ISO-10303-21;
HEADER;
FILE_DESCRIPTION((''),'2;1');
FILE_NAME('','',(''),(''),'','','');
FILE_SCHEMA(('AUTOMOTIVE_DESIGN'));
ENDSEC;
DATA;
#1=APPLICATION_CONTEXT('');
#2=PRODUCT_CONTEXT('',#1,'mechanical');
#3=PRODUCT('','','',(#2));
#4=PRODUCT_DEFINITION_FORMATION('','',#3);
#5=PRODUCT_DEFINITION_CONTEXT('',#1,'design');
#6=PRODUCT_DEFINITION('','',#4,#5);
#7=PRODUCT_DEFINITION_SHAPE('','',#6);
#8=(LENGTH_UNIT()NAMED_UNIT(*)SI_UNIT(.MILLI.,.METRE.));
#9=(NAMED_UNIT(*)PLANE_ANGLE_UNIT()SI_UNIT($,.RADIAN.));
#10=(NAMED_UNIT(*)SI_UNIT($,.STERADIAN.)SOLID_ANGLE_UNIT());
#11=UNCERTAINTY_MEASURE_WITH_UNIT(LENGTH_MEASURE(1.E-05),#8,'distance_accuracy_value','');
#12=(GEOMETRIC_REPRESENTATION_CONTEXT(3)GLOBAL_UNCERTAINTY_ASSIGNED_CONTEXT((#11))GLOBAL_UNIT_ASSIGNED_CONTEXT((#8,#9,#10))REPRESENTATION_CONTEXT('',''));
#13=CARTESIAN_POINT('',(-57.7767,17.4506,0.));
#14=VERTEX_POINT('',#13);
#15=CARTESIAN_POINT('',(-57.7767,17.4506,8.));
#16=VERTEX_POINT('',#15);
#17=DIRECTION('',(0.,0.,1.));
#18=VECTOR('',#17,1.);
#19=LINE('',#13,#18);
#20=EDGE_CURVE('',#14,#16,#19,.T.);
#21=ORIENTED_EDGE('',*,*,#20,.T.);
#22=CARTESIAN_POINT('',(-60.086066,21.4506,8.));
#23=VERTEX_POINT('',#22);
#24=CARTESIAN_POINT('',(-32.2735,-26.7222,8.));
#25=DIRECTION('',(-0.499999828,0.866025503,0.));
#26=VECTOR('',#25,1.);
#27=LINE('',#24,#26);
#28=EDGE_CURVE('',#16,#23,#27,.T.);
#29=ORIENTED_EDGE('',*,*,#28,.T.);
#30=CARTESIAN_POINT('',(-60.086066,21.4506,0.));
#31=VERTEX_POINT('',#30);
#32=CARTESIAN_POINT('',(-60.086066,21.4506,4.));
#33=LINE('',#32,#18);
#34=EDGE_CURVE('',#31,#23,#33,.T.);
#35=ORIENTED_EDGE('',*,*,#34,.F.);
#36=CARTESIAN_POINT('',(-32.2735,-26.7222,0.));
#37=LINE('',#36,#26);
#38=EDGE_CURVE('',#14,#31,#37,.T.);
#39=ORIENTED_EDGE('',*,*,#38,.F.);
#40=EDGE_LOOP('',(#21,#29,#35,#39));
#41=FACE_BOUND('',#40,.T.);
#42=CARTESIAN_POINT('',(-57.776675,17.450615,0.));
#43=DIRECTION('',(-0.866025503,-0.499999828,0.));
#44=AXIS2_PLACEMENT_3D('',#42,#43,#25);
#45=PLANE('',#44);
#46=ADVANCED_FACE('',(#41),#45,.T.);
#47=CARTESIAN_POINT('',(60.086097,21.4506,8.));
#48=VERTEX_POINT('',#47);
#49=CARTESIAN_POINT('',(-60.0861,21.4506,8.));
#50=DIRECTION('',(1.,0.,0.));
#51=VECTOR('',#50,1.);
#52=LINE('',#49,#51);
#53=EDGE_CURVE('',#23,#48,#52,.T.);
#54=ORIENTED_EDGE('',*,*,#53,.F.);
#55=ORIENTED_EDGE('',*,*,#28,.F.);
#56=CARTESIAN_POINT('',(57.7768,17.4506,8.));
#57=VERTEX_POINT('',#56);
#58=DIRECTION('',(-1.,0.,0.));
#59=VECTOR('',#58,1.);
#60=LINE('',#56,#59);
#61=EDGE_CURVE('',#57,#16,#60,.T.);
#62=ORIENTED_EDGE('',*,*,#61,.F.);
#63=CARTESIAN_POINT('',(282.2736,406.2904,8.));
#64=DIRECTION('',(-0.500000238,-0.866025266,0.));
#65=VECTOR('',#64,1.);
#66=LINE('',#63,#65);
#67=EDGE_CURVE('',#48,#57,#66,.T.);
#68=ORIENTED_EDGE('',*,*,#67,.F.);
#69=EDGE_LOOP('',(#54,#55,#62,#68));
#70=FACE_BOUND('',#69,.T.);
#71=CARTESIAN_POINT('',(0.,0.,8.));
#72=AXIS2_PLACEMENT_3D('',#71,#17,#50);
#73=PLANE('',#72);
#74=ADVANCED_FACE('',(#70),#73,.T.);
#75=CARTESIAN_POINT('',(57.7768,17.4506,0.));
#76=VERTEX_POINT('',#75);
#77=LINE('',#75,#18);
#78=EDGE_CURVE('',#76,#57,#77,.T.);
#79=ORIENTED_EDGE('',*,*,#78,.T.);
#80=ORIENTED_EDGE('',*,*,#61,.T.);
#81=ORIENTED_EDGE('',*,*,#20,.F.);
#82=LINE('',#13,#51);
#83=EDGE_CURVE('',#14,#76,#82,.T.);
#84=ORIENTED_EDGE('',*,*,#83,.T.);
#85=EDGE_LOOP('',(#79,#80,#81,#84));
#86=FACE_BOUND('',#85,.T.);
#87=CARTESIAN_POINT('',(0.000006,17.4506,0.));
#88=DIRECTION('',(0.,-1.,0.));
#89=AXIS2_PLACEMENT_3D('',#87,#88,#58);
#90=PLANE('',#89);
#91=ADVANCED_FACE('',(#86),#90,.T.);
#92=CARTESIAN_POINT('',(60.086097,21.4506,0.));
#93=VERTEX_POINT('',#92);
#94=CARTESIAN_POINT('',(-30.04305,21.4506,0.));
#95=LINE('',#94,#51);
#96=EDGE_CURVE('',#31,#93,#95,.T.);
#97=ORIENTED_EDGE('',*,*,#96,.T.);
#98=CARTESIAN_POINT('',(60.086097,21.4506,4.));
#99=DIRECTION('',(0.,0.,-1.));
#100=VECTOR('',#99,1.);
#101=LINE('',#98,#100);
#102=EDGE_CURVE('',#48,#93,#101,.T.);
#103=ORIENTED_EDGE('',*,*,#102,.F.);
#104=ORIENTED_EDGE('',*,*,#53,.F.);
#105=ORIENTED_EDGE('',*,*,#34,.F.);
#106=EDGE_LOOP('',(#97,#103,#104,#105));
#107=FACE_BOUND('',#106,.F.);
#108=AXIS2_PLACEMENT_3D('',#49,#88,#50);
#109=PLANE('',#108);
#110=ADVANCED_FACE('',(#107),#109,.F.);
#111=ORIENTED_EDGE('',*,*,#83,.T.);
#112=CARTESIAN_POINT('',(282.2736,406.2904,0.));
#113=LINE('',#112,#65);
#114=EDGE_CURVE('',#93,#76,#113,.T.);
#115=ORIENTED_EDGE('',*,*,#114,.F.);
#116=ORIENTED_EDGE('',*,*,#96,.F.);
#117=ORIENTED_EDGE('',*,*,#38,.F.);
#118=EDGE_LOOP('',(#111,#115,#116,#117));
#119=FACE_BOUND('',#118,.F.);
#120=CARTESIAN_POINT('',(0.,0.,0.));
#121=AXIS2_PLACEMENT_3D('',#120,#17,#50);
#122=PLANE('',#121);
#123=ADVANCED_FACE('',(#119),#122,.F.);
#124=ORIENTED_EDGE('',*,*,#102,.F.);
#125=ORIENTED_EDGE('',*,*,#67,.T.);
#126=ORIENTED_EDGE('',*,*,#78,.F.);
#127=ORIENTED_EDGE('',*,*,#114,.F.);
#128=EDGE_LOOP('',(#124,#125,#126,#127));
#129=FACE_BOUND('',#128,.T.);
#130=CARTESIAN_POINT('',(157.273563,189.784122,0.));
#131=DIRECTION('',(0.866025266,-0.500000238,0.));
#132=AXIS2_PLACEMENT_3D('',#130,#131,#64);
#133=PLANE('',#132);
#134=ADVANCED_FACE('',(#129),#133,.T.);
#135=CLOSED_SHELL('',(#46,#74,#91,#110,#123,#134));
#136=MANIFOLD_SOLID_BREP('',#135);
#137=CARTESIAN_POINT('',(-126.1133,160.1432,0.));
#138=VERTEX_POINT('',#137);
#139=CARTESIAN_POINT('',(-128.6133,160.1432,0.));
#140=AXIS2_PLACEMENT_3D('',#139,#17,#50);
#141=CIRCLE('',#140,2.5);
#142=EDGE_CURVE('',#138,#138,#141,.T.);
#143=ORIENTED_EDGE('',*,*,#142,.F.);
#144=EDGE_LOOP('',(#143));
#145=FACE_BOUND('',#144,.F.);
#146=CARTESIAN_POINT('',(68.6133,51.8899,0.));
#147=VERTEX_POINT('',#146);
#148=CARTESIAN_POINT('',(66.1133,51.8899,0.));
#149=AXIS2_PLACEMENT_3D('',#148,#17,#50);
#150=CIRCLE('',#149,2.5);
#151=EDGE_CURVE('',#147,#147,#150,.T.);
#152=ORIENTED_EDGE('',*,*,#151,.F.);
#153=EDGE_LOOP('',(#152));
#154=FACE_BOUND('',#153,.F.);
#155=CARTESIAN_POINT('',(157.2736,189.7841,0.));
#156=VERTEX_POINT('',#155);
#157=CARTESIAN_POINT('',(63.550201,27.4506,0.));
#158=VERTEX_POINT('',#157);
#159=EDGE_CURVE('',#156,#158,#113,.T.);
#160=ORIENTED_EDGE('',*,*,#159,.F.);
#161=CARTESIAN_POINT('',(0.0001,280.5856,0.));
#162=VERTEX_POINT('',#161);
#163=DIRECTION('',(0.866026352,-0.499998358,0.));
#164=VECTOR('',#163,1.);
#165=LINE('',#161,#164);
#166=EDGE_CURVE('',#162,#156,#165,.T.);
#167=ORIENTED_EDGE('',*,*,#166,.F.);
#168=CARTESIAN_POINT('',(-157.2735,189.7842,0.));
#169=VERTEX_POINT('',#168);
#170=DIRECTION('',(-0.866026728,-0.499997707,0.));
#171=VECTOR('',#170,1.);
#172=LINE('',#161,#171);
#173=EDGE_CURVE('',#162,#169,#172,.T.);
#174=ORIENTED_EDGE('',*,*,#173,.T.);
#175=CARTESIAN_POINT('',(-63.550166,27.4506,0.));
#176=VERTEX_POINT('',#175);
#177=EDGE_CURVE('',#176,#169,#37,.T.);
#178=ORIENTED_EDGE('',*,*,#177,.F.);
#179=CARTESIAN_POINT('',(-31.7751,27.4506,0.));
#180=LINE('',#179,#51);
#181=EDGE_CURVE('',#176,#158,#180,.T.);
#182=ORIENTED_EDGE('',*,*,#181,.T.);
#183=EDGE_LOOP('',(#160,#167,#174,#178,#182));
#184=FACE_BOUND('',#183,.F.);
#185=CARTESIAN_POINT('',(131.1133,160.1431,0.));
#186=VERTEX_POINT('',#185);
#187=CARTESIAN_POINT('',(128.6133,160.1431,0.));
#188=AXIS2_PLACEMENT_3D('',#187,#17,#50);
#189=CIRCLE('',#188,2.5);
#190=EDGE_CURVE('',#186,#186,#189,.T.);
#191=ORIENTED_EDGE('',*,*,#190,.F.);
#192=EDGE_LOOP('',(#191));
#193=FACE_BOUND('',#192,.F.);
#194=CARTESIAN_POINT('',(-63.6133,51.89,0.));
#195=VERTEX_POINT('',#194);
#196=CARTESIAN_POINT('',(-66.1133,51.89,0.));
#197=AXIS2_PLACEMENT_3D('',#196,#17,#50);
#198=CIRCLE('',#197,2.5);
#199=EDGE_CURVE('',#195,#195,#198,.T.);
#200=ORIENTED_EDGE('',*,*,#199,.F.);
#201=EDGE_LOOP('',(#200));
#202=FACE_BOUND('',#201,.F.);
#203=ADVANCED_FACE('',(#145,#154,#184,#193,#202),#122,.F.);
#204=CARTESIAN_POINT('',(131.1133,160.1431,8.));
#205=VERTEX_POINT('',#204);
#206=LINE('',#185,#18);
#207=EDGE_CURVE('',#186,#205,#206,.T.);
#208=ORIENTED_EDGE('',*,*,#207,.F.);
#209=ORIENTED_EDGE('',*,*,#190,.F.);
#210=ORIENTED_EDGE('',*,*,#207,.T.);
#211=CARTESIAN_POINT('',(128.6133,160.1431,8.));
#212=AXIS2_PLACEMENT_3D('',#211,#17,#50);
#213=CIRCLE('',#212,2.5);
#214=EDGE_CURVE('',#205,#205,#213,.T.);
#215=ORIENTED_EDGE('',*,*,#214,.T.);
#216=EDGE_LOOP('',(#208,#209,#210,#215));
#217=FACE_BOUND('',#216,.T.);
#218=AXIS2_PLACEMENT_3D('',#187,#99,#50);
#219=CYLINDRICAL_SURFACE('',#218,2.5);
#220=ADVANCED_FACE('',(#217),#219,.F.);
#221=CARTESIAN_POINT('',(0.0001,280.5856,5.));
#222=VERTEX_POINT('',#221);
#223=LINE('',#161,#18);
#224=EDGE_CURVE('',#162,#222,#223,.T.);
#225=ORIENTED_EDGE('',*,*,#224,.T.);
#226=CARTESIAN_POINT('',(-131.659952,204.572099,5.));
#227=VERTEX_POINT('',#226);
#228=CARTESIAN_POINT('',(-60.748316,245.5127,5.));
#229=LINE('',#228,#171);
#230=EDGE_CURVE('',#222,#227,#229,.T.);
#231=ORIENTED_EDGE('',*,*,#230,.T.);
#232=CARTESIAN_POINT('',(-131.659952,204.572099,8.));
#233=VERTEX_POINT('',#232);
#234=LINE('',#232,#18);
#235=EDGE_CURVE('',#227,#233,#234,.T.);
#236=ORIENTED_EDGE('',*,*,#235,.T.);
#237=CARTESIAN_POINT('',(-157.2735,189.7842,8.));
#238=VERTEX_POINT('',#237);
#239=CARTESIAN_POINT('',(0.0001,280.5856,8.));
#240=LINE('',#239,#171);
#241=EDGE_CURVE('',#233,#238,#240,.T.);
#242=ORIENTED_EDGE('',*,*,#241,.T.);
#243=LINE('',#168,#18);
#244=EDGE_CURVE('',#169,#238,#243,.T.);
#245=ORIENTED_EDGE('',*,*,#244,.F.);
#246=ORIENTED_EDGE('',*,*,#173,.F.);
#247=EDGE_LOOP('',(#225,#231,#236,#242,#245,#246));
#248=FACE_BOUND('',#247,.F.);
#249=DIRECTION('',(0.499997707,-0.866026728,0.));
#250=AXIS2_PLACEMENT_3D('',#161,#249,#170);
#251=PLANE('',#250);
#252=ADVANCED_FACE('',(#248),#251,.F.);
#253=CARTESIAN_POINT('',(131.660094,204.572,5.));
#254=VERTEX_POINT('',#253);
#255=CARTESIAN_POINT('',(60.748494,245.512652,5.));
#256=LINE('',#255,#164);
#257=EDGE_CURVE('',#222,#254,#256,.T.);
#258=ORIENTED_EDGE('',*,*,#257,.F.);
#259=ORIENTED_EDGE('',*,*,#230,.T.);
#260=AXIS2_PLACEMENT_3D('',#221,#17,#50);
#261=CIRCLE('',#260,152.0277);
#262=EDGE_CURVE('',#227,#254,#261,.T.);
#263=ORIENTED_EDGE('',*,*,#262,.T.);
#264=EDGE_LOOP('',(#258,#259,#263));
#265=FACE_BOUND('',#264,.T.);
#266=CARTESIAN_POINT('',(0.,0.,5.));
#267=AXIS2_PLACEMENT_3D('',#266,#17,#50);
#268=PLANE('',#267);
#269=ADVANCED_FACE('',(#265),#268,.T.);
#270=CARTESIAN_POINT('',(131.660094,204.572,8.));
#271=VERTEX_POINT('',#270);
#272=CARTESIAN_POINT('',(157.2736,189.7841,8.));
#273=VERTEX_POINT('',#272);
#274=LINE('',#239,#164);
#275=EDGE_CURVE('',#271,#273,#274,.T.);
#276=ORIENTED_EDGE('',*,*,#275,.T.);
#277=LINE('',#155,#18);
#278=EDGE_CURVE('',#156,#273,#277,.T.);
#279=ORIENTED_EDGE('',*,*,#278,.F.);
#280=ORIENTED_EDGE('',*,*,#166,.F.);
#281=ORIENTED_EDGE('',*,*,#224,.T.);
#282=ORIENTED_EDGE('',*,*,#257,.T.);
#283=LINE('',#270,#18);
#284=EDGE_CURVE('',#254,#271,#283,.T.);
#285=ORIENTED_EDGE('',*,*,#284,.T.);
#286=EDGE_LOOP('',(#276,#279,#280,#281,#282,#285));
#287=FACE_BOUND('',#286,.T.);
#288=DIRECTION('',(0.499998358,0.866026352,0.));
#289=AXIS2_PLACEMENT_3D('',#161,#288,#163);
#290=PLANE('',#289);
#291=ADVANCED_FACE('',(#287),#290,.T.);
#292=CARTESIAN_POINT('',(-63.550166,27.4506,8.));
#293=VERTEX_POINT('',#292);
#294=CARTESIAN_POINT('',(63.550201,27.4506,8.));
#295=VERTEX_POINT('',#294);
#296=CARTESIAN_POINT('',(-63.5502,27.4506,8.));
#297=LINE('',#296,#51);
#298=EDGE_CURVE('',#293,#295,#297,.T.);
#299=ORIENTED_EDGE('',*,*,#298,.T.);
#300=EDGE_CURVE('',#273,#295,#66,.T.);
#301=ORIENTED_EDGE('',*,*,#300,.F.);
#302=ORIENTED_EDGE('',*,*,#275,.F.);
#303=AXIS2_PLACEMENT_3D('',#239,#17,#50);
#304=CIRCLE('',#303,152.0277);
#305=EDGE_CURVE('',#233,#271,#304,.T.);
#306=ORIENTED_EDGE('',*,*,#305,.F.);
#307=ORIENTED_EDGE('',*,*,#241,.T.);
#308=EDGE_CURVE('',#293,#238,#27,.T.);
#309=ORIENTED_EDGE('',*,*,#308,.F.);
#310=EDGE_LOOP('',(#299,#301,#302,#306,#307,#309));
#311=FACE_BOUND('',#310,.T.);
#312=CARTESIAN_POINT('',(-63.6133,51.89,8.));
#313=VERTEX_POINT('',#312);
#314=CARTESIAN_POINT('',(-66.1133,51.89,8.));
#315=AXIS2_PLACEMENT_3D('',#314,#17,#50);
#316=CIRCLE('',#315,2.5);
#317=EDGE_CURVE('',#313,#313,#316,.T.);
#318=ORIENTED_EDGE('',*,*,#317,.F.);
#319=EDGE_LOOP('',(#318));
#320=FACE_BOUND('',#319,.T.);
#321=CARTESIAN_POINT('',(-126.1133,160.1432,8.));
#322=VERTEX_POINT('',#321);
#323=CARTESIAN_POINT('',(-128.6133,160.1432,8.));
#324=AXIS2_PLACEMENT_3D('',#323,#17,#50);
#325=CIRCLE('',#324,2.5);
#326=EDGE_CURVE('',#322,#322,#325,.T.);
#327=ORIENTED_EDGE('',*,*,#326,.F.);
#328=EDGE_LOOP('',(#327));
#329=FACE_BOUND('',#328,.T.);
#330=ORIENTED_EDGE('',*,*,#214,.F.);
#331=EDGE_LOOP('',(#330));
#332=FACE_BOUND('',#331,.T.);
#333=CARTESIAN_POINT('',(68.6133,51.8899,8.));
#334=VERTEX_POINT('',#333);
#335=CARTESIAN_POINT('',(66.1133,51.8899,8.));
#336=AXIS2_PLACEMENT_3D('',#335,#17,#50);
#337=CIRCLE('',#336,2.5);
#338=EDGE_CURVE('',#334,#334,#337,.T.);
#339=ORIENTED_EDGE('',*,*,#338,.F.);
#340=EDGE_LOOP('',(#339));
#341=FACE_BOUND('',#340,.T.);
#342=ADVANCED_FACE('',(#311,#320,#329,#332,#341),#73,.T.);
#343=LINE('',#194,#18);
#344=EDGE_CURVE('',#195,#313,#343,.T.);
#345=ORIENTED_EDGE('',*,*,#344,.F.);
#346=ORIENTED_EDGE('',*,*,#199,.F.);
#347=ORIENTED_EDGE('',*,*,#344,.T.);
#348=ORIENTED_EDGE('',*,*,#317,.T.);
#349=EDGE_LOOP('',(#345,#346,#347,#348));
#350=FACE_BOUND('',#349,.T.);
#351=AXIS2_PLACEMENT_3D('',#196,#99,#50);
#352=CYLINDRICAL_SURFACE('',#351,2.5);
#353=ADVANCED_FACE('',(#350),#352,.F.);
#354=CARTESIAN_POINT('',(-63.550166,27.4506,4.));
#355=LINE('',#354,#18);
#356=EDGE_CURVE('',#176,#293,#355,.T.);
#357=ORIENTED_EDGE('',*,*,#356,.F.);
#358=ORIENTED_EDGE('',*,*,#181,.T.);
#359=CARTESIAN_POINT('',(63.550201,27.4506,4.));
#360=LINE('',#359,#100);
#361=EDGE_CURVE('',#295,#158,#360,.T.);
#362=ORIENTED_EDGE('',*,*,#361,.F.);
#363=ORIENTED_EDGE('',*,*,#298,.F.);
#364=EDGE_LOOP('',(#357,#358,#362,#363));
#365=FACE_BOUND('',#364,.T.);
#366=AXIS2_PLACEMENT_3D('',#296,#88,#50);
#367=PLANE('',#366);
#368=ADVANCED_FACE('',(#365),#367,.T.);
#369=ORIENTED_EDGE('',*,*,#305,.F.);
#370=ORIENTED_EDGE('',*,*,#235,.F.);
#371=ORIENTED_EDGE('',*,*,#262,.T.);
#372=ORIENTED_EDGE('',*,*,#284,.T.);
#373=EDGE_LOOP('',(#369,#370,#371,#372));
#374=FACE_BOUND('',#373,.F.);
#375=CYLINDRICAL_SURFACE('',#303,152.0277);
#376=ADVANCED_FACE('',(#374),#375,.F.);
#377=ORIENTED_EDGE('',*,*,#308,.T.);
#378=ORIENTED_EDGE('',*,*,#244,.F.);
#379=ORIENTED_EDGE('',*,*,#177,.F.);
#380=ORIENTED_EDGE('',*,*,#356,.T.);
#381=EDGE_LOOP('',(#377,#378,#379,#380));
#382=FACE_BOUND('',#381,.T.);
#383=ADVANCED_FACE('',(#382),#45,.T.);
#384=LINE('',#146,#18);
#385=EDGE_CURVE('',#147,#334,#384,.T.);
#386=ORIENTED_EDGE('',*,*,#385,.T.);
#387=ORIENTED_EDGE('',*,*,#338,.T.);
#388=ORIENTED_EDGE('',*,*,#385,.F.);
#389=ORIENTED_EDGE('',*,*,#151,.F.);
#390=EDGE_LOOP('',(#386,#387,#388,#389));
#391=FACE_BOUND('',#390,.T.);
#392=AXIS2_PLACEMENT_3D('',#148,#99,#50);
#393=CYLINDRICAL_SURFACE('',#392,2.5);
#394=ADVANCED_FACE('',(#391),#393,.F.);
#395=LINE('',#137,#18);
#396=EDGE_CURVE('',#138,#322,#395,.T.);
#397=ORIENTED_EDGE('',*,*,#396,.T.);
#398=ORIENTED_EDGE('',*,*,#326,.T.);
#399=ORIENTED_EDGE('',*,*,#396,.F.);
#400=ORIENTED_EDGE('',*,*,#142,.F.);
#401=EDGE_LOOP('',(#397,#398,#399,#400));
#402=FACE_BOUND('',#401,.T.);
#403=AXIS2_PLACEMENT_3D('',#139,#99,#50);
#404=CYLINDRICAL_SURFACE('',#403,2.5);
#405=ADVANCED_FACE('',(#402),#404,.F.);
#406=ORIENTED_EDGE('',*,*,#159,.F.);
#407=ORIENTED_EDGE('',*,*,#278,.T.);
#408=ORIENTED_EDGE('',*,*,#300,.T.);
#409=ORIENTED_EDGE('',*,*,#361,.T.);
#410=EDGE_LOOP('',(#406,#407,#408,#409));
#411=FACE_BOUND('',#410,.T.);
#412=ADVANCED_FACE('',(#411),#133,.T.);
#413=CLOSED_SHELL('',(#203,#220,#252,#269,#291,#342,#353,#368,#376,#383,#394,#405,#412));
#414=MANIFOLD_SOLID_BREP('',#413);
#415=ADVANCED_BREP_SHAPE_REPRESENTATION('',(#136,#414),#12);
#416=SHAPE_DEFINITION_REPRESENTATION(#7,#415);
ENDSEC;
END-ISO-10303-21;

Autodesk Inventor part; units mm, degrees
ref_plane "YZ Plane" through (0, 0, 0) normal (1, 0, 0) x (0, 1, 0)
ref_plane "XZ Plane" through (0, 0, 0) normal (0, 1, 0) x (-1, 0, 0)
ref_plane "XY Plane" through (0, 0, 0) normal (0, 0, 1) x (1, 0, 0)
sketch "Sketch1" plane through (0, 0, 0) normal (0, 0, 1) x (1, 0, 0)
  arc A0 (-16.5011, 13.8506) -> (-21.6973, 4.8506) centre (-16.5011, 7.8506) ccw projected
  line L0 (-16.5011, 13.8506) -> (16.5011, 13.8506) projected
  arc A1 (21.6973, 4.8506) -> (16.5011, 13.8506) centre (16.5011, 7.8506) ccw projected
  line L1 (21.6973, 4.8506) -> (13.3257, -9.6494) projected
  arc A2 (5.5315, -14.1494) -> (13.3257, -9.6494) centre (5.5315, -5.1494) ccw projected
  line L2 (5.5315, -14.1494) -> (-5.5315, -14.1494) projected
  arc A3 (-13.3257, -9.6494) -> (-5.5315, -14.1494) centre (-5.5315, -5.1494) ccw projected
  line L3 (-13.3257, -9.6494) -> (-21.6973, 4.8506) projected
  line L4 (10, -20.5494) -> (10, -40.5494) projected
  line L5 (10, -40.5494) -> (-10, -40.5494) projected
  line L6 (-10, -40.5494) -> (-10, -20.5494) projected
  line L7 (-10, -20.5494) -> (10, -20.5494) projected
  line L8 (-15, -16.7494) -> (-32.2735, -26.7222) projected
  arc A4 (-32.2735, -26.7222) -> (32.2735, -26.7222) centre (0, -5.7301) ccw projected
  line L9 (32.2735, -26.7222) -> (15, -16.7494) projected
  line L10 (23.4871, 17.4506) -> (-23.4871, 17.4506)
  arc A5 (-222.749, 428.2443) -> (-227.9452, 437.2443) centre (-227.9452, 431.2443) ccw projected
  line L11 (-222.749, 428.2443) -> (-239.2501, 399.6635) projected
  arc A6 (-249.6424, 399.6635) -> (-239.2501, 399.6635) centre (-244.4463, 402.6635) ccw projected
  line L12 (-249.6424, 399.6635) -> (-258.014, 414.1635) projected
  arc A7 (-258.014, 423.1635) -> (-258.014, 414.1635) centre (-250.2198, 418.6635) ccw projected
  line L13 (-258.014, 423.1635) -> (-252.4825, 432.7443) projected
  arc A8 (-244.6883, 437.2443) -> (-252.4825, 432.7443) centre (-244.6883, 428.2443) ccw projected
  line L14 (-244.6883, 437.2443) -> (-227.9452, 437.2443) projected
  line L15 (-265.7908, 422.4937) -> (-283.1113, 432.4937) projected
  line L16 (-283.1113, 432.4937) -> (-273.1113, 449.8142) projected
  line L17 (-273.1113, 449.8142) -> (-255.7908, 439.8142) projected
  line L18 (-255.7908, 439.8142) -> (-265.7908, 422.4937) projected
  line L19 (-193.9999, 442.2443) -> (-249.9999, 442.2443) projected
  line L20 (-249.9999, 442.2443) -> (-249.9999, 462.19) projected
  arc A9 (-249.9999, 462.19) -> (-282.2735, 406.2907) centre (-247.957, 423.7443) ccw projected
  line L21 (-282.2735, 406.2907) -> (-264.9999, 416.2635) projected
  line L22 (-264.9999, 416.2635) -> (-237, 367.7661) projected
  line L23 (-237, 367.7661) -> (-232.6699, 370.2661) projected
  line L24 (-232.6699, 370.2661) -> (-239.6254, 382.3135) projected
  arc A10 (-239.6254, 391.8135) -> (-239.6254, 382.3135) centre (-231.3982, 387.0635) ccw projected
  line L25 (-239.6254, 391.8135) -> (-216.1383, 432.4943) projected
  arc A11 (-207.9111, 437.2443) -> (-216.1383, 432.4943) centre (-207.9111, 427.7443) ccw projected
  line L26 (-207.9111, 437.2443) -> (-193.9999, 437.2443) projected
  line L27 (-193.9999, 437.2443) -> (-193.9999, 442.2443) projected
  arc A12 (239.2502, 399.6633) -> (249.6425, 399.6633) centre (244.4464, 402.6633) ccw projected
  line L28 (239.2502, 399.6633) -> (222.7491, 428.2441) projected
  arc A13 (227.9453, 437.2441) -> (222.7491, 428.2441) centre (227.9453, 431.2441) ccw projected
  line L29 (227.9453, 437.2441) -> (244.6884, 437.2441) projected
  arc A14 (252.4827, 432.7441) -> (244.6884, 437.2441) centre (244.6884, 428.2441) ccw projected
  line L30 (252.4827, 432.7441) -> (258.0141, 423.1633) projected
  arc A15 (258.0141, 414.1633) -> (258.0141, 423.1633) centre (250.2199, 418.6633) ccw projected
  line L31 (258.0141, 414.1633) -> (249.6425, 399.6633) projected
  line L32 (255.791, 439.8139) -> (273.1115, 449.8139) projected
  line L33 (273.1115, 449.8139) -> (283.1115, 432.4934) projected
  line L34 (283.1115, 432.4934) -> (265.791, 422.4934) projected
  line L35 (265.791, 422.4934) -> (255.791, 439.8139) projected
  line L36 (237.0001, 367.7659) -> (265.0001, 416.2633) projected
  line L37 (265.0001, 416.2633) -> (282.2736, 406.2904) projected
  arc A16 (282.2736, 406.2904) -> (250.0001, 462.1898) centre (247.9571, 423.7441) ccw projected
  line L38 (250.0001, 462.1898) -> (250.0001, 442.2441) projected
  line L39 (250.0001, 442.2441) -> (194.0001, 442.2441) projected
  line L40 (194.0001, 442.2441) -> (194.0001, 437.2441) projected
  line L41 (194.0001, 437.2441) -> (207.9112, 437.2441) projected
  arc A17 (216.1385, 432.4941) -> (207.9112, 437.2441) centre (207.9112, 427.7441) ccw projected
  line L42 (216.1385, 432.4941) -> (239.6255, 391.8133) projected
  arc A18 (239.6255, 382.3133) -> (239.6255, 391.8133) centre (231.3983, 387.0633) ccw projected
  line L43 (239.6255, 382.3133) -> (232.6699, 370.2659) projected
  line L44 (232.6699, 370.2659) -> (237.0001, 367.7659) projected
  line L45 (-249.9999, 462.19) -> (250.0001, 462.1898)
  line L46 (282.2736, 406.2904) -> (32.2735, -26.7222)
  line L47 (-32.2735, -26.7222) -> (-282.2735, 406.2907)
  line L48 (-23.4871, 17.4506) -> (-57.7767, 17.4506)
  line L49 (23.4871, 17.4506) -> (57.7768, 17.4506)
  line L50 (0, 0) -> (0.0001, 280.5856)
  line L51 (-247.957, 423.7443) -> (0.0001, 280.5856)
  line L52 (247.9571, 423.7441) -> (0.0001, 280.5856)
  line L53 (0.0001, 280.5856) -> (-157.2735, 189.7842)
  line L54 (0.0001, 280.5856) -> (157.2736, 189.7841)
  line L55 (0.0001, 280.5856) -> (0.0001, 462.1899)
  circle A19 centre (-128.6133, 160.1432) radius 2.5
  circle A20 centre (-66.1133, 51.89) radius 2.5
  circle A21 centre (66.1133, 51.8899) radius 2.5
  circle A22 centre (128.6133, 160.1431) radius 2.5
  dimension "d0" = 5
  dimension "d1" = 5
  dimension "d2" = 5
  dimension "d3" = 5
  dimension "d4" = 10
  dimension "d5" = 10
  dimension "d6" = 10
  dimension "d7" = 10
  dimension "d8" = 40
  dimension "d9" = 40
  dimension "d10" = 125
  dimension "d11" = 125
extrude "Extrusion1" add sketch "Sketch1" along normal blind 8 contours L10 L48 L47 L53 L50 | L50 L54 L46 L49 L10
sketch "Sketch2" plane through (0, 0, 8) normal (0, 0, 1) x (1, 0, 0)
  line L0 (-107.5, 173.0861) -> (107.5, 173.0861) projected
  line L1 (107.5, 173.0861) -> (107.5, 388.0861) projected
  line L2 (107.5, 388.0861) -> (-107.5, 388.0861) projected
  line L3 (-107.5, 388.0861) -> (-107.5, 173.0861) projected
  circle A0 centre (0.0001, 280.5856) radius 152.0277
  point P0 (0, 0)
extrude "Extrusion2" cut sketch "Sketch2" against normal blind 3
sketch "Sketch3" plane through (0, 0, 8) normal (0, 0, 1) x (1, 0, 0)
  line L0 (-63.5502, 27.4506) -> (63.5503, 27.4506)
  line L1 (-63.5502, 27.4506) -> (-57.7767, 17.4506)
  line L2 (-57.7767, 17.4506) -> (57.7768, 17.4506) projected
  line L3 (57.7768, 17.4506) -> (60.0862, 21.4506)
  line L4 (-60.0861, 21.4506) -> (60.0862, 21.4506)
  line L5 (60.0862, 21.4506) -> (63.5503, 27.4506)
  point P0 (0, 0)
  dimension "d16" = 10
extrude "Extrusion3" cut sketch "Sketch3" against normal through all contours L0 L5 L4 L1
equation "\"d5\" = d4"
equation "\"d6\" = d4"
equation "\"d7\" = d6"
equation "\"d9\" = d8"
equation "\"d11\" = d10"
properties part number "bottom top plate"
